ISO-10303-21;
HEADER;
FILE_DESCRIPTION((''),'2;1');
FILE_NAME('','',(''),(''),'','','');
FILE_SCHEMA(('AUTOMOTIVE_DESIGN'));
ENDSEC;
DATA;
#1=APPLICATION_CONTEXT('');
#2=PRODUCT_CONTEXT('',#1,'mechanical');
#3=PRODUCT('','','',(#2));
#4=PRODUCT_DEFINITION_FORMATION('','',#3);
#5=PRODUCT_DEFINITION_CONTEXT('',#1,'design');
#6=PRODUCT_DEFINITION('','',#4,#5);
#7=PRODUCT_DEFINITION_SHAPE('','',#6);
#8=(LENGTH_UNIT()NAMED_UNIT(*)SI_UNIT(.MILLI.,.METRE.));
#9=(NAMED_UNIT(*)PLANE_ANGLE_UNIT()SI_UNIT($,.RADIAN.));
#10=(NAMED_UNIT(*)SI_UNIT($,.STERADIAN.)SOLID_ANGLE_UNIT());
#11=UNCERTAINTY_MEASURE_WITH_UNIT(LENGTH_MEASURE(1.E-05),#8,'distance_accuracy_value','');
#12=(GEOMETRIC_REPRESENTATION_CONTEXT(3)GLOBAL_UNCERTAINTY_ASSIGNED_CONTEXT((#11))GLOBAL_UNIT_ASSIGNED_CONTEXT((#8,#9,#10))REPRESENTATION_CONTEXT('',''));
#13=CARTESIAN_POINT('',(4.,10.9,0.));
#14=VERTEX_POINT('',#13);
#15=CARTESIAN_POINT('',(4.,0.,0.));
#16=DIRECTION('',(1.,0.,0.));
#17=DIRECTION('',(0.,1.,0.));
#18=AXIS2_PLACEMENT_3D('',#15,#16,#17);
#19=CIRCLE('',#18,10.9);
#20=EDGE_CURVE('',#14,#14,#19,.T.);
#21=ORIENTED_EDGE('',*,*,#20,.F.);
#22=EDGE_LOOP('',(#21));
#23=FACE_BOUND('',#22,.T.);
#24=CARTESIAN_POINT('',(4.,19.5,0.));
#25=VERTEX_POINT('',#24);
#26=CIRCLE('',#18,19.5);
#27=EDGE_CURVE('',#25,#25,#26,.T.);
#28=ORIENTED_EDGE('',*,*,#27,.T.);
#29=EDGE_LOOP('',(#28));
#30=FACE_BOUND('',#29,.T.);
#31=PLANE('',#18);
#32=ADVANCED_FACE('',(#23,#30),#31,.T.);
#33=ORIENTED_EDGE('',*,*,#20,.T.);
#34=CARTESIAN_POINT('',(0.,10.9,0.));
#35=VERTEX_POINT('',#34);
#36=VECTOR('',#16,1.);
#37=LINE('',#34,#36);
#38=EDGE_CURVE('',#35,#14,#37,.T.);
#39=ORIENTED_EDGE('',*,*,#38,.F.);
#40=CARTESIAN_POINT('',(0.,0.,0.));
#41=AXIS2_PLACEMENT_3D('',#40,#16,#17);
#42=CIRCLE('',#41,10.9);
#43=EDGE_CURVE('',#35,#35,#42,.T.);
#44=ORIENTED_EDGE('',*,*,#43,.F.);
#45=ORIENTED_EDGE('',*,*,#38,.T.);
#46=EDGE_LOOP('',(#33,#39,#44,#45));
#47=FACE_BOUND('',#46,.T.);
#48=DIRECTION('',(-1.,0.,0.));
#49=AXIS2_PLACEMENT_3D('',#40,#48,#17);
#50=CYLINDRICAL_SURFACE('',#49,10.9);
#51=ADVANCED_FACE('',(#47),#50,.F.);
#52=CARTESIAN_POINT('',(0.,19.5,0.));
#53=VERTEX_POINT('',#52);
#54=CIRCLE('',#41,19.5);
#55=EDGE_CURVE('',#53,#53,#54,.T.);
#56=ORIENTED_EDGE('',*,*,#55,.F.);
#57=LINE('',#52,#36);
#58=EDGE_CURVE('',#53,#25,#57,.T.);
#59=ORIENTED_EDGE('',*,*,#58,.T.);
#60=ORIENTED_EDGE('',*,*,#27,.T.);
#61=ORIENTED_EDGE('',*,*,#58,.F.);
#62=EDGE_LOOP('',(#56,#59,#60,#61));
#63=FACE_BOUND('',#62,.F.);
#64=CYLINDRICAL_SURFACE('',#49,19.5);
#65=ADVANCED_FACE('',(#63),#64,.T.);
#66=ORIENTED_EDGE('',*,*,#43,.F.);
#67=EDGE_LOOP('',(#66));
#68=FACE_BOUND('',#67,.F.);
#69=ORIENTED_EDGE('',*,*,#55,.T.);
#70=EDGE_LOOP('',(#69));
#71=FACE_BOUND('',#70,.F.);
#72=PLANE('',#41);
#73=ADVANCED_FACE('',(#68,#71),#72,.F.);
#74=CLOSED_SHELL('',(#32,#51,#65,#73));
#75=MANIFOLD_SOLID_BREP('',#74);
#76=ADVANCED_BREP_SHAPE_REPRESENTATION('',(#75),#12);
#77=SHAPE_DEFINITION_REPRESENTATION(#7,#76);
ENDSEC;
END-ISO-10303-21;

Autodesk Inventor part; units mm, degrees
ref_plane "YZ Plane" through (0, 0, 0) normal (1, 0, 0) x (0, 1, 0)
ref_plane "XZ Plane" through (0, 0, 0) normal (0, 1, 0) x (-1, 0, 0)
sketch "Sketch" plane through (0, 0, 0) normal (1, 0, 0) x (0, 1, 0)
  circle A0 centre (0, 0) radius 19.5
  circle A1 centre (0, 0) radius 10.9
  dimension "d0" = 21.8
  dimension "d1" = 39
extrude "Body" add sketch "Sketch" along normal blind 4
ref_plane "Work Plane1" through (0, 0, 0) normal (0, 0, 1) x (1, 0, 0)
equation "\"d0\" = SD1"
equation "\"d1\" = SD2"
equation "\"d2\" = SD"
equation "\"SD1\" = 21.8"
equation "\"SD2\" = 39"
equation "\"SD\" = 4"
properties part number "ANSI B18.22M - 20 N" material "Steel, Mild"
